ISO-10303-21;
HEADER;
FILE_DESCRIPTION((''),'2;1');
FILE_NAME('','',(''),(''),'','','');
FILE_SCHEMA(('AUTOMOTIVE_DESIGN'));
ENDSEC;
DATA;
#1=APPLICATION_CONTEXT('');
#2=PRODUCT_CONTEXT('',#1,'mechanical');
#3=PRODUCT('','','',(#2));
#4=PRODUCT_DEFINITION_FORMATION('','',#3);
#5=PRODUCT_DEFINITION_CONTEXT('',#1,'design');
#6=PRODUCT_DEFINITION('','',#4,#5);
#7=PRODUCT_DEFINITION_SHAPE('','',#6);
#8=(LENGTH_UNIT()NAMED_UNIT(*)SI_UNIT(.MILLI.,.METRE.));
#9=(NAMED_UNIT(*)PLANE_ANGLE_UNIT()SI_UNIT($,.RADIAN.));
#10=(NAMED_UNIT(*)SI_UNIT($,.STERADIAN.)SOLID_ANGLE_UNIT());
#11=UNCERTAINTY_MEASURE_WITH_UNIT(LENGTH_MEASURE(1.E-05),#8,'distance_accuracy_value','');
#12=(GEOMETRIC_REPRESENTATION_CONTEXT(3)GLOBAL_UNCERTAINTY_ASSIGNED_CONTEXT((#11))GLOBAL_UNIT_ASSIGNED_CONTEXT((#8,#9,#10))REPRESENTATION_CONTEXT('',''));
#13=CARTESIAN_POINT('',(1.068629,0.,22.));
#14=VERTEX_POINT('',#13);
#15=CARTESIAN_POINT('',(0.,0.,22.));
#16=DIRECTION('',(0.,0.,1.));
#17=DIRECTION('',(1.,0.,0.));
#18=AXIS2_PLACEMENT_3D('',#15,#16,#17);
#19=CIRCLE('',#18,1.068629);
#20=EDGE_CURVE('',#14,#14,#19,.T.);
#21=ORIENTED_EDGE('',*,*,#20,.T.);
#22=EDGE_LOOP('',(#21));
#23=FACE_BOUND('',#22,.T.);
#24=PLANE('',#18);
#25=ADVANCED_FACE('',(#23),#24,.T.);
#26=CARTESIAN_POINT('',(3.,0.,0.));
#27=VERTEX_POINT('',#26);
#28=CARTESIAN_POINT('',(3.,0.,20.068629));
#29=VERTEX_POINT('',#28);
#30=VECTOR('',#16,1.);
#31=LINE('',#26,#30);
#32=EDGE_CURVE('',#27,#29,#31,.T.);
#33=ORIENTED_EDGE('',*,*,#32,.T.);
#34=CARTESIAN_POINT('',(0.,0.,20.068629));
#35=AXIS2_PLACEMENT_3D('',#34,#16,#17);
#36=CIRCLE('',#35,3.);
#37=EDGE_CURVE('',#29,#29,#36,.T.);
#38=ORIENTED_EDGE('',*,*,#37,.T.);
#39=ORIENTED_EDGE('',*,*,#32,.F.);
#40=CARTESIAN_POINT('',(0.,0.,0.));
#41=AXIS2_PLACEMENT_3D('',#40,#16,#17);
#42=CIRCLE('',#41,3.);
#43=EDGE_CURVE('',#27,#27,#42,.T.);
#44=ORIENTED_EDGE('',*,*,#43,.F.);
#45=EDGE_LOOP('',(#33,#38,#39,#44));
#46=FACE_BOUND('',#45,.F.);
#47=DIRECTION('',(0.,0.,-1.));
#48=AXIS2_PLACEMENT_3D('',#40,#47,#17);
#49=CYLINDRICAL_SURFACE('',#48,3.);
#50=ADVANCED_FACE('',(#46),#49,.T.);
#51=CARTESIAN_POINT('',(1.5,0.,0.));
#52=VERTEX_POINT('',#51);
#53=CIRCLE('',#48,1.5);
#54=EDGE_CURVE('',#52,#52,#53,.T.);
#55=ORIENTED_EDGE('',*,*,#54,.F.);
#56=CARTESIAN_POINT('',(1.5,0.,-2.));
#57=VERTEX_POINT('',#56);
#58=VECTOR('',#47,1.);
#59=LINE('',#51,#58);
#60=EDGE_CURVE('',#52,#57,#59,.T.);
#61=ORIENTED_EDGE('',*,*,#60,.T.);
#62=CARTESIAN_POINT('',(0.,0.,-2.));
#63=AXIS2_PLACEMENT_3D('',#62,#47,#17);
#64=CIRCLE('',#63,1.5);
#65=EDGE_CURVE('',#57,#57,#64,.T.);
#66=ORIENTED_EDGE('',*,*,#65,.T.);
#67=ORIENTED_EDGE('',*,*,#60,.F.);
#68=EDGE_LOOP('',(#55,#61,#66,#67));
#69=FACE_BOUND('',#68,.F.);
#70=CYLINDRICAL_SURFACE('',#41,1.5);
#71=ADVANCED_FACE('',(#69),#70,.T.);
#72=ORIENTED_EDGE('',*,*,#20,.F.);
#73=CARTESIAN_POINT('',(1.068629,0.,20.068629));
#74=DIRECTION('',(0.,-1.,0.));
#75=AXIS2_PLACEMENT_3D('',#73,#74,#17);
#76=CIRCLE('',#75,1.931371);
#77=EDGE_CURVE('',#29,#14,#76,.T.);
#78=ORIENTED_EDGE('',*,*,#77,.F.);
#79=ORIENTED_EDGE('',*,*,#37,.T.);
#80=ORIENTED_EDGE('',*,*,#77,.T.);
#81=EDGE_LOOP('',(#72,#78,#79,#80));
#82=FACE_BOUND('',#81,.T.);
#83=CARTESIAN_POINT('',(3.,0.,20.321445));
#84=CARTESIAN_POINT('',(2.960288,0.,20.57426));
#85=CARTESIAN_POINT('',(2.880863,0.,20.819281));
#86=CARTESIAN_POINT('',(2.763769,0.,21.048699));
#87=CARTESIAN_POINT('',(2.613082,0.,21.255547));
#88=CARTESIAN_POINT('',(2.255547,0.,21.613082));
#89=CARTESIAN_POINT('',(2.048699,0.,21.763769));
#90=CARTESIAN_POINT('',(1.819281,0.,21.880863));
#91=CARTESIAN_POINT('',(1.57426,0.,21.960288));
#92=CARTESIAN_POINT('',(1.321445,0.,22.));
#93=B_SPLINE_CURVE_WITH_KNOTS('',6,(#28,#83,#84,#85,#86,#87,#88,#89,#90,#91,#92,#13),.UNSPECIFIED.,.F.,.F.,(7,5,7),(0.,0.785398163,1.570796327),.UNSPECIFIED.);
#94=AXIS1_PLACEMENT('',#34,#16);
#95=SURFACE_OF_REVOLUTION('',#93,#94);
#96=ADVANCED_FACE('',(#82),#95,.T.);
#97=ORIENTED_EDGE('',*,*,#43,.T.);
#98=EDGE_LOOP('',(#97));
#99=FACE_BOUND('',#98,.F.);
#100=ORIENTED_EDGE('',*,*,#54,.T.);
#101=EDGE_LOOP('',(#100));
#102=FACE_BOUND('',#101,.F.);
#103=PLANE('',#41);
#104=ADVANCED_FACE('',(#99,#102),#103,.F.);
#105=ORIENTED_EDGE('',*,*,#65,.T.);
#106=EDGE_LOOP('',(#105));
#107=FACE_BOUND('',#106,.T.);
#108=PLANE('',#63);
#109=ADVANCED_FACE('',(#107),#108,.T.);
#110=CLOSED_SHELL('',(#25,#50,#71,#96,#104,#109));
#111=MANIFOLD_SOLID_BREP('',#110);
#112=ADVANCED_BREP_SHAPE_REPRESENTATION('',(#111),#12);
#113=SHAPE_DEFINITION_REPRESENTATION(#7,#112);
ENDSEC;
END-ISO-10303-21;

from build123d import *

# Parameters (mm, degrees)
F0_R     = 3
F1_DEPTH = 22
F2_R     = 1.931371
F3_R     = 1.5
F4_DEPTH = 2


with BuildPart() as f1:
    # F0 (on Top) → F1 (new body)
    with BuildSketch(Plane.XY):
        Circle(F0_R)
    extrude(amount=F1_DEPTH)

    # F2
    f2_edges = [f1.edges().sort_by_distance(p)[0] for p in [
        (-3, 0, 22),
    ]]
    fillet(f2_edges, radius=F2_R)

    # F3 (on face) → F4 (join)
    with BuildSketch(Plane(origin=(0, 0, 0), x_dir=(1, 0, 0), z_dir=(0, 0, -1))):
        Circle(F3_R)
    extrude(amount=F4_DEPTH)


solid = f1.part
